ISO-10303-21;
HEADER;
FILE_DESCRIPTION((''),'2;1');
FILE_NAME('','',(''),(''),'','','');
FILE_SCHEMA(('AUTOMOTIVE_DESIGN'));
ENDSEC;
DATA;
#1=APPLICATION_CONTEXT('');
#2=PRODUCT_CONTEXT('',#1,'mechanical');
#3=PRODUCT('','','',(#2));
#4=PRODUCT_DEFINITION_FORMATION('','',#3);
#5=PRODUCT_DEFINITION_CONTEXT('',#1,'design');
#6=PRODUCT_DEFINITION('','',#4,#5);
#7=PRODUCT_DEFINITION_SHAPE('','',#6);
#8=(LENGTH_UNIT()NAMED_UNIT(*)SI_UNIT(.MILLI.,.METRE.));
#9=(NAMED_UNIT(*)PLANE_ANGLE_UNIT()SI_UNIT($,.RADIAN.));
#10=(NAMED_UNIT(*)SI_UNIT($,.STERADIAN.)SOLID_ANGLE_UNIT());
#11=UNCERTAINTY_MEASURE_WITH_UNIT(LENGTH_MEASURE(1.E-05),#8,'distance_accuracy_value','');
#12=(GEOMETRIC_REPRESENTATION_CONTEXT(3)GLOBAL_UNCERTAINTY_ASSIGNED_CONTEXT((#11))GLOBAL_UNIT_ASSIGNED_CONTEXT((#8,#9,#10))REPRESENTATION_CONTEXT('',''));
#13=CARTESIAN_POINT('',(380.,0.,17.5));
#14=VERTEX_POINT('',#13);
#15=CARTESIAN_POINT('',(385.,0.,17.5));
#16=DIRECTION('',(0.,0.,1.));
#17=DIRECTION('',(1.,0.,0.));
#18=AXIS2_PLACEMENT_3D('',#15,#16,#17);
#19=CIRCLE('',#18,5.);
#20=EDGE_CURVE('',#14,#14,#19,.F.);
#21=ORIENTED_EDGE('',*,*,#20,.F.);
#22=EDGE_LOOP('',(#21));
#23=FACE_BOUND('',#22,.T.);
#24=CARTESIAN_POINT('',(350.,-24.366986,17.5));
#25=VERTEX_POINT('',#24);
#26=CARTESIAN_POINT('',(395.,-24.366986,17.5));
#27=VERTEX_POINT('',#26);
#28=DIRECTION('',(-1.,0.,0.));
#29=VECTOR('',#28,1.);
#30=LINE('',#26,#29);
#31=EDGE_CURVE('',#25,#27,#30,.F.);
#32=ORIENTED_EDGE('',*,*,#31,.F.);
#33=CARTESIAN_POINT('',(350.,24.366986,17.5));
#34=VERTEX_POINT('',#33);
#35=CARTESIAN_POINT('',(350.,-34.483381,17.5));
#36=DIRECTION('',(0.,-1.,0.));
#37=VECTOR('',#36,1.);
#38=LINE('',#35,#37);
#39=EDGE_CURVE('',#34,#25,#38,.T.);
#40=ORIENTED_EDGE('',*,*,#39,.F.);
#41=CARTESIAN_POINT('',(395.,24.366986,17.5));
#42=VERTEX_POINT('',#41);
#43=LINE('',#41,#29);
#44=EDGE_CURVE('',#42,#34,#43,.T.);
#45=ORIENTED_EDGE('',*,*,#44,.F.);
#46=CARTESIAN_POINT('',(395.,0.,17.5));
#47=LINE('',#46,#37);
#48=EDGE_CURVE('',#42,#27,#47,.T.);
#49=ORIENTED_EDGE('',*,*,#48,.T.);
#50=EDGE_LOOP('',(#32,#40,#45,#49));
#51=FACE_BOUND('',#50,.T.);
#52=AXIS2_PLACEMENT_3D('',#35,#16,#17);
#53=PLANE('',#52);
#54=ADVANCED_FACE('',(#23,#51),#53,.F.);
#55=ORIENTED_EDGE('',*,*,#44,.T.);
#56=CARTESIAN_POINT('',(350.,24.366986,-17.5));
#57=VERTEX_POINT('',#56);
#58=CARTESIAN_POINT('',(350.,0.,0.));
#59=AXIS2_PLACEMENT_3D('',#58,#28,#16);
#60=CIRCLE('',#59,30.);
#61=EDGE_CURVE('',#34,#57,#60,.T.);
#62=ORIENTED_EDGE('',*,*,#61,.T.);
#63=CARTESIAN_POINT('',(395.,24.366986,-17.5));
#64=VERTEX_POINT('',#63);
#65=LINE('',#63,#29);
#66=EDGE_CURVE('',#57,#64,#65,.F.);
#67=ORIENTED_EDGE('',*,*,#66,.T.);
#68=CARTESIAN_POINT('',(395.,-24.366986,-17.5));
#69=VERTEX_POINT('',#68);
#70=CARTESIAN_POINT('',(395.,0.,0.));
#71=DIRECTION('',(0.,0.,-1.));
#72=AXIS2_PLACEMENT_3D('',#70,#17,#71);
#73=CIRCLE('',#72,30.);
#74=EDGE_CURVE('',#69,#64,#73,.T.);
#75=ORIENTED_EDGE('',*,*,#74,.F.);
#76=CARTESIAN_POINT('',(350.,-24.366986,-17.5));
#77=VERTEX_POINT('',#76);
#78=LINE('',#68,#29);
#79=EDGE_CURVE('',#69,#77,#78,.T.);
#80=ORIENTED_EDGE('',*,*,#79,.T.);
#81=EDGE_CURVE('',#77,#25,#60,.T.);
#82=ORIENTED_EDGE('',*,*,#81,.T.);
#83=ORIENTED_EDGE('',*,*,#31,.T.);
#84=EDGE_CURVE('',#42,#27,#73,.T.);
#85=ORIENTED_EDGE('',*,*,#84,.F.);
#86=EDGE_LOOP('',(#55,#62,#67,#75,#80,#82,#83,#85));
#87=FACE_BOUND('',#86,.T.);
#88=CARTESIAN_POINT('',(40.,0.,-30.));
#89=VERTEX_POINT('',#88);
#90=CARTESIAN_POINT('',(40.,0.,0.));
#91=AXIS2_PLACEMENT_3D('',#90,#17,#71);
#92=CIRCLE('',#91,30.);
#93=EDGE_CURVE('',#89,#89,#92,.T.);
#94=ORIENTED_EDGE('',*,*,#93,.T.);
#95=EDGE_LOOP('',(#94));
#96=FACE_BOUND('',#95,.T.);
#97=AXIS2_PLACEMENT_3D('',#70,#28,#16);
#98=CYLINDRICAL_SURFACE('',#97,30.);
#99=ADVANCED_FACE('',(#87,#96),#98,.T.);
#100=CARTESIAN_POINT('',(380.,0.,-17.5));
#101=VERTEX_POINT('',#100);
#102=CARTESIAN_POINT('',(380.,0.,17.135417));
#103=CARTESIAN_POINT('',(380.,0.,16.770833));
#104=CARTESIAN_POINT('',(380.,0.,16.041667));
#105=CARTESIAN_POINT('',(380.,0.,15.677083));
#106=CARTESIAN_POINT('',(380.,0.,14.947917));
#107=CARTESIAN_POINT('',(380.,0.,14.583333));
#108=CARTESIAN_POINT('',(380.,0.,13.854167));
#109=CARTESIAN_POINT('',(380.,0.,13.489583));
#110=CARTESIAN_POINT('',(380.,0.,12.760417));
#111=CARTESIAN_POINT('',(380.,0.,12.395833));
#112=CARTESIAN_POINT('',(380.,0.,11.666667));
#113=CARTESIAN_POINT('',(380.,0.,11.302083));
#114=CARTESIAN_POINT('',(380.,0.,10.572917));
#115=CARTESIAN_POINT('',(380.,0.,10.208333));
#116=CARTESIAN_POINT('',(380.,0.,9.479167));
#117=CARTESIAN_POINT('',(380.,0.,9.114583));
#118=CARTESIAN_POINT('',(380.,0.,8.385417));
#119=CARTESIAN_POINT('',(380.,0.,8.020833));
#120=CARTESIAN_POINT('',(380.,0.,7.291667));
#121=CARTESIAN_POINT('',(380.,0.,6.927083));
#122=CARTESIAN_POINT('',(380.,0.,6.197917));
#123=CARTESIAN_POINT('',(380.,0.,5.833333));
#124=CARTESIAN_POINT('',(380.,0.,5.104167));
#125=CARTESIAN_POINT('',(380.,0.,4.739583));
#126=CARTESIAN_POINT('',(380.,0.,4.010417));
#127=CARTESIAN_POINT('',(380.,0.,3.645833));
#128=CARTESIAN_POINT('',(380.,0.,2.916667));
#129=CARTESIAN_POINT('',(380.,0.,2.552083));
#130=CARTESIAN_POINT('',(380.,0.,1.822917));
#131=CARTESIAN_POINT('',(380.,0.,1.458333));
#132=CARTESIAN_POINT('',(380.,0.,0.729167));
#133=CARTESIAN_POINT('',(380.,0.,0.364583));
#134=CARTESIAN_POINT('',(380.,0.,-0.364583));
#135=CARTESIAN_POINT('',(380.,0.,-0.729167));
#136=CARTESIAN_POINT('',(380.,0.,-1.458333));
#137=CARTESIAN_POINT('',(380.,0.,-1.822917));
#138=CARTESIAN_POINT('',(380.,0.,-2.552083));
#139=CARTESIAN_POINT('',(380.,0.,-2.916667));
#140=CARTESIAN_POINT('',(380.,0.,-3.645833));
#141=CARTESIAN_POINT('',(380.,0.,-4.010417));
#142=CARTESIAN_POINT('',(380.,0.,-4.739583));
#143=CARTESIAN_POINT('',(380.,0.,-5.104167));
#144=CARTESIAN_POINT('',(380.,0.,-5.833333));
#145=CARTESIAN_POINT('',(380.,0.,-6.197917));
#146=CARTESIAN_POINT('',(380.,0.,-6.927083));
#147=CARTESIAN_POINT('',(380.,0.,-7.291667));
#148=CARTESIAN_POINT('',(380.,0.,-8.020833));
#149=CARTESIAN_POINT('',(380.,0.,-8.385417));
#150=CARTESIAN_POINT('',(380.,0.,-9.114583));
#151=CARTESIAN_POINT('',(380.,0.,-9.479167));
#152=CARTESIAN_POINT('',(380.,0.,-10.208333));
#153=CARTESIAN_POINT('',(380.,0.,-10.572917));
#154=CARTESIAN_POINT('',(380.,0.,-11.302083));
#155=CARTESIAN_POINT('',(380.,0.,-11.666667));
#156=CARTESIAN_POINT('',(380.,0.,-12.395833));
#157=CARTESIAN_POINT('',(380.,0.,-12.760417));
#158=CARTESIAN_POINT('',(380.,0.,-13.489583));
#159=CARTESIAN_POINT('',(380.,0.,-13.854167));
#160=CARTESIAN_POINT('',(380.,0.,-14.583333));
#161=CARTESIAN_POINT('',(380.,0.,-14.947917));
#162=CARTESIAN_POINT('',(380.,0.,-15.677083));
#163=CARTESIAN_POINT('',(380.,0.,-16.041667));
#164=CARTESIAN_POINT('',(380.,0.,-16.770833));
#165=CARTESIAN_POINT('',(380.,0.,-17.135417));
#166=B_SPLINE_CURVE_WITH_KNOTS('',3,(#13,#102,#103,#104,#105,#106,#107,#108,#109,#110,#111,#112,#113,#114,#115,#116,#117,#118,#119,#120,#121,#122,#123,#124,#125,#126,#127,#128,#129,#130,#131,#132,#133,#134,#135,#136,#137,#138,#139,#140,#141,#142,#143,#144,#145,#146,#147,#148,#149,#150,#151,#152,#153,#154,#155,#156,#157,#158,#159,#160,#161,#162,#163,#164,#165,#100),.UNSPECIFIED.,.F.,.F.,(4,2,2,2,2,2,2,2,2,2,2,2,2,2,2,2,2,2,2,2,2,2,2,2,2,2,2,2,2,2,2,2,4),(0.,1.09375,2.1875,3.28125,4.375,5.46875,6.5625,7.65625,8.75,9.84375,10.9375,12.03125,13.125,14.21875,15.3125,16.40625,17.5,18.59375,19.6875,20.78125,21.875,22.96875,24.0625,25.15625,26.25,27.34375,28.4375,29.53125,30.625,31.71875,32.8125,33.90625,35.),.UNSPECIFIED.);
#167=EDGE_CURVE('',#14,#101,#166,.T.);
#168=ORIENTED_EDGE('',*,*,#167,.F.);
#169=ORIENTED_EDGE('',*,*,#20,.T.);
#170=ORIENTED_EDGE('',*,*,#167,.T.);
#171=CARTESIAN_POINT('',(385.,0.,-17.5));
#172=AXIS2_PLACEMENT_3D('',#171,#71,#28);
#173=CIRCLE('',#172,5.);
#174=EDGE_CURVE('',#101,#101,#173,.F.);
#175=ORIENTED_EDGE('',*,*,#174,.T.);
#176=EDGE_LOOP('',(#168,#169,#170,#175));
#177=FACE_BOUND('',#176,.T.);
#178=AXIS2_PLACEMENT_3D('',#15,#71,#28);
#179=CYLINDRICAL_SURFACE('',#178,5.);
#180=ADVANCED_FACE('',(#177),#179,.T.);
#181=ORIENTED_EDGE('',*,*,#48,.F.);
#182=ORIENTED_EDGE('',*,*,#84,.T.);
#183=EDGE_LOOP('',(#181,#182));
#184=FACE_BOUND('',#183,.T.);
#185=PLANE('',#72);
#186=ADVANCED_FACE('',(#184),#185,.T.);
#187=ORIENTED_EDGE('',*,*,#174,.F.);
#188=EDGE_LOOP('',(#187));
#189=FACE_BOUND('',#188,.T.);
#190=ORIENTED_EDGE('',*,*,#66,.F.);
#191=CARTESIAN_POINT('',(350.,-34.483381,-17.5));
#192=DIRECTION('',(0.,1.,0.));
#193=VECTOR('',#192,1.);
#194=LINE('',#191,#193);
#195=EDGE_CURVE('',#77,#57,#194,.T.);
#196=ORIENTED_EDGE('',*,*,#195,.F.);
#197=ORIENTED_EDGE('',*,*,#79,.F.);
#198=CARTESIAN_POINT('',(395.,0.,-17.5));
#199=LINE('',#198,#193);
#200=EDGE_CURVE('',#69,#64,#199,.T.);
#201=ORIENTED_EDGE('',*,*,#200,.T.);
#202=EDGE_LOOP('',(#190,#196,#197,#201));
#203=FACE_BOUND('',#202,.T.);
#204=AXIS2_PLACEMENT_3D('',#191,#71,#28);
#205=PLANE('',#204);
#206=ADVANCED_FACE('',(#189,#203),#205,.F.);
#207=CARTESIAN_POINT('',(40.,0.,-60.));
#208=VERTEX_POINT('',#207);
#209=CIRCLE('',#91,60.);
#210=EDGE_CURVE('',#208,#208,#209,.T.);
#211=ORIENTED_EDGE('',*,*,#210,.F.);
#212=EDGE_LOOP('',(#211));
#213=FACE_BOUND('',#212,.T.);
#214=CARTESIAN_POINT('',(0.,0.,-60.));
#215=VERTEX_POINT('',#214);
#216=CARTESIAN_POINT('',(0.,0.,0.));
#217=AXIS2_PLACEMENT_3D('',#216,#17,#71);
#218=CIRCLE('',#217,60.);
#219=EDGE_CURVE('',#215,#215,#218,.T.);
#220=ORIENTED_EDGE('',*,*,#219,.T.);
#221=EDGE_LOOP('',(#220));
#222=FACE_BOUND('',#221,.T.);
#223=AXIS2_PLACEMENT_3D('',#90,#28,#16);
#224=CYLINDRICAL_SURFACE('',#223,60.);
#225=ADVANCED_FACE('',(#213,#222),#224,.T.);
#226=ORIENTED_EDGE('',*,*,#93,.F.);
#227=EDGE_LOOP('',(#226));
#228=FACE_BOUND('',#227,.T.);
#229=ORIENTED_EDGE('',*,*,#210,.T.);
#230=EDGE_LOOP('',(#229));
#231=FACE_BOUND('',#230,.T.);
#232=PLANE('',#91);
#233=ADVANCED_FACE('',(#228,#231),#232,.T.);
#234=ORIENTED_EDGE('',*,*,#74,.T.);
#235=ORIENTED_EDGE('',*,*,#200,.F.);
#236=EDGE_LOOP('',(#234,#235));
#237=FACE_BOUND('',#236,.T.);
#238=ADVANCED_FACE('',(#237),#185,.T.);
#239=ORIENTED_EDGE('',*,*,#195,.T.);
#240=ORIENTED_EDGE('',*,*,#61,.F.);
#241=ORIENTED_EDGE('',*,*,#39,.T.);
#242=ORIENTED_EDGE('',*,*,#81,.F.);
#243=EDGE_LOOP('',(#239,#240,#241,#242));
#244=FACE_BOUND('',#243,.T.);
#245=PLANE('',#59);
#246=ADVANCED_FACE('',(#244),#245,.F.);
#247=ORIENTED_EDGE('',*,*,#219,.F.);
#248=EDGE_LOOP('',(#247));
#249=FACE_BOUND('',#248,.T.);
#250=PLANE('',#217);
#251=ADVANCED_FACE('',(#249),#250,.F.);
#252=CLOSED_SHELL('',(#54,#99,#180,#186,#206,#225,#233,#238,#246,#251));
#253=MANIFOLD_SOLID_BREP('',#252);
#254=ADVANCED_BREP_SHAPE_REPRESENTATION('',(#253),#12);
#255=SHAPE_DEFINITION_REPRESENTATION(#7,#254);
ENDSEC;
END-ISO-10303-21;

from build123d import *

# Parameters (mm, degrees)
SKETCH1_R           = 60
BOSS_EXTRUDE1_DEPTH = 40
SKETCH2_R           = 30
BOSS_EXTRUDE2_DEPTH = 355
SKETCH3_W           = 35
SKETCH3_H           = 68.96676223
CUT_EXTRUDE1_DEPTH  = 45
SKETCH4_R           = 5
BOSS_EXTRUDE3_DEPTH = 35


with BuildPart() as part:
    # Sketch1 → Boss-Extrude1 (new body)
    with BuildSketch(Plane(origin=(0, 0, 0), x_dir=(0, 0, -1), z_dir=(1, 0, 0))):
        Circle(SKETCH1_R)
    extrude(amount=BOSS_EXTRUDE1_DEPTH)

    # Sketch2 → Boss-Extrude2 (add)
    with BuildSketch(Plane(origin=(40, 0, 0), x_dir=(0, 0, -1), z_dir=(1, 0, 0))):
        Circle(SKETCH2_R)
    extrude(amount=BOSS_EXTRUDE2_DEPTH)

    # Sketch3 → Cut-Extrude1 (cut)
    with BuildSketch(Plane(origin=(395, 0, 0), x_dir=(0, 0, -1), z_dir=(1, 0, 0))):
        Rectangle(SKETCH3_W, SKETCH3_H)
    extrude(amount=-CUT_EXTRUDE1_DEPTH, mode=Mode.SUBTRACT)

    # Sketch4 → Boss-Extrude3 (add)
    with BuildSketch(Plane.XY.offset(-17.5)):
        with Locations(Location((385, 0, 0), (0, 0, 180))):
            Circle(SKETCH4_R)
    extrude(amount=BOSS_EXTRUDE3_DEPTH)


solid = part.part
